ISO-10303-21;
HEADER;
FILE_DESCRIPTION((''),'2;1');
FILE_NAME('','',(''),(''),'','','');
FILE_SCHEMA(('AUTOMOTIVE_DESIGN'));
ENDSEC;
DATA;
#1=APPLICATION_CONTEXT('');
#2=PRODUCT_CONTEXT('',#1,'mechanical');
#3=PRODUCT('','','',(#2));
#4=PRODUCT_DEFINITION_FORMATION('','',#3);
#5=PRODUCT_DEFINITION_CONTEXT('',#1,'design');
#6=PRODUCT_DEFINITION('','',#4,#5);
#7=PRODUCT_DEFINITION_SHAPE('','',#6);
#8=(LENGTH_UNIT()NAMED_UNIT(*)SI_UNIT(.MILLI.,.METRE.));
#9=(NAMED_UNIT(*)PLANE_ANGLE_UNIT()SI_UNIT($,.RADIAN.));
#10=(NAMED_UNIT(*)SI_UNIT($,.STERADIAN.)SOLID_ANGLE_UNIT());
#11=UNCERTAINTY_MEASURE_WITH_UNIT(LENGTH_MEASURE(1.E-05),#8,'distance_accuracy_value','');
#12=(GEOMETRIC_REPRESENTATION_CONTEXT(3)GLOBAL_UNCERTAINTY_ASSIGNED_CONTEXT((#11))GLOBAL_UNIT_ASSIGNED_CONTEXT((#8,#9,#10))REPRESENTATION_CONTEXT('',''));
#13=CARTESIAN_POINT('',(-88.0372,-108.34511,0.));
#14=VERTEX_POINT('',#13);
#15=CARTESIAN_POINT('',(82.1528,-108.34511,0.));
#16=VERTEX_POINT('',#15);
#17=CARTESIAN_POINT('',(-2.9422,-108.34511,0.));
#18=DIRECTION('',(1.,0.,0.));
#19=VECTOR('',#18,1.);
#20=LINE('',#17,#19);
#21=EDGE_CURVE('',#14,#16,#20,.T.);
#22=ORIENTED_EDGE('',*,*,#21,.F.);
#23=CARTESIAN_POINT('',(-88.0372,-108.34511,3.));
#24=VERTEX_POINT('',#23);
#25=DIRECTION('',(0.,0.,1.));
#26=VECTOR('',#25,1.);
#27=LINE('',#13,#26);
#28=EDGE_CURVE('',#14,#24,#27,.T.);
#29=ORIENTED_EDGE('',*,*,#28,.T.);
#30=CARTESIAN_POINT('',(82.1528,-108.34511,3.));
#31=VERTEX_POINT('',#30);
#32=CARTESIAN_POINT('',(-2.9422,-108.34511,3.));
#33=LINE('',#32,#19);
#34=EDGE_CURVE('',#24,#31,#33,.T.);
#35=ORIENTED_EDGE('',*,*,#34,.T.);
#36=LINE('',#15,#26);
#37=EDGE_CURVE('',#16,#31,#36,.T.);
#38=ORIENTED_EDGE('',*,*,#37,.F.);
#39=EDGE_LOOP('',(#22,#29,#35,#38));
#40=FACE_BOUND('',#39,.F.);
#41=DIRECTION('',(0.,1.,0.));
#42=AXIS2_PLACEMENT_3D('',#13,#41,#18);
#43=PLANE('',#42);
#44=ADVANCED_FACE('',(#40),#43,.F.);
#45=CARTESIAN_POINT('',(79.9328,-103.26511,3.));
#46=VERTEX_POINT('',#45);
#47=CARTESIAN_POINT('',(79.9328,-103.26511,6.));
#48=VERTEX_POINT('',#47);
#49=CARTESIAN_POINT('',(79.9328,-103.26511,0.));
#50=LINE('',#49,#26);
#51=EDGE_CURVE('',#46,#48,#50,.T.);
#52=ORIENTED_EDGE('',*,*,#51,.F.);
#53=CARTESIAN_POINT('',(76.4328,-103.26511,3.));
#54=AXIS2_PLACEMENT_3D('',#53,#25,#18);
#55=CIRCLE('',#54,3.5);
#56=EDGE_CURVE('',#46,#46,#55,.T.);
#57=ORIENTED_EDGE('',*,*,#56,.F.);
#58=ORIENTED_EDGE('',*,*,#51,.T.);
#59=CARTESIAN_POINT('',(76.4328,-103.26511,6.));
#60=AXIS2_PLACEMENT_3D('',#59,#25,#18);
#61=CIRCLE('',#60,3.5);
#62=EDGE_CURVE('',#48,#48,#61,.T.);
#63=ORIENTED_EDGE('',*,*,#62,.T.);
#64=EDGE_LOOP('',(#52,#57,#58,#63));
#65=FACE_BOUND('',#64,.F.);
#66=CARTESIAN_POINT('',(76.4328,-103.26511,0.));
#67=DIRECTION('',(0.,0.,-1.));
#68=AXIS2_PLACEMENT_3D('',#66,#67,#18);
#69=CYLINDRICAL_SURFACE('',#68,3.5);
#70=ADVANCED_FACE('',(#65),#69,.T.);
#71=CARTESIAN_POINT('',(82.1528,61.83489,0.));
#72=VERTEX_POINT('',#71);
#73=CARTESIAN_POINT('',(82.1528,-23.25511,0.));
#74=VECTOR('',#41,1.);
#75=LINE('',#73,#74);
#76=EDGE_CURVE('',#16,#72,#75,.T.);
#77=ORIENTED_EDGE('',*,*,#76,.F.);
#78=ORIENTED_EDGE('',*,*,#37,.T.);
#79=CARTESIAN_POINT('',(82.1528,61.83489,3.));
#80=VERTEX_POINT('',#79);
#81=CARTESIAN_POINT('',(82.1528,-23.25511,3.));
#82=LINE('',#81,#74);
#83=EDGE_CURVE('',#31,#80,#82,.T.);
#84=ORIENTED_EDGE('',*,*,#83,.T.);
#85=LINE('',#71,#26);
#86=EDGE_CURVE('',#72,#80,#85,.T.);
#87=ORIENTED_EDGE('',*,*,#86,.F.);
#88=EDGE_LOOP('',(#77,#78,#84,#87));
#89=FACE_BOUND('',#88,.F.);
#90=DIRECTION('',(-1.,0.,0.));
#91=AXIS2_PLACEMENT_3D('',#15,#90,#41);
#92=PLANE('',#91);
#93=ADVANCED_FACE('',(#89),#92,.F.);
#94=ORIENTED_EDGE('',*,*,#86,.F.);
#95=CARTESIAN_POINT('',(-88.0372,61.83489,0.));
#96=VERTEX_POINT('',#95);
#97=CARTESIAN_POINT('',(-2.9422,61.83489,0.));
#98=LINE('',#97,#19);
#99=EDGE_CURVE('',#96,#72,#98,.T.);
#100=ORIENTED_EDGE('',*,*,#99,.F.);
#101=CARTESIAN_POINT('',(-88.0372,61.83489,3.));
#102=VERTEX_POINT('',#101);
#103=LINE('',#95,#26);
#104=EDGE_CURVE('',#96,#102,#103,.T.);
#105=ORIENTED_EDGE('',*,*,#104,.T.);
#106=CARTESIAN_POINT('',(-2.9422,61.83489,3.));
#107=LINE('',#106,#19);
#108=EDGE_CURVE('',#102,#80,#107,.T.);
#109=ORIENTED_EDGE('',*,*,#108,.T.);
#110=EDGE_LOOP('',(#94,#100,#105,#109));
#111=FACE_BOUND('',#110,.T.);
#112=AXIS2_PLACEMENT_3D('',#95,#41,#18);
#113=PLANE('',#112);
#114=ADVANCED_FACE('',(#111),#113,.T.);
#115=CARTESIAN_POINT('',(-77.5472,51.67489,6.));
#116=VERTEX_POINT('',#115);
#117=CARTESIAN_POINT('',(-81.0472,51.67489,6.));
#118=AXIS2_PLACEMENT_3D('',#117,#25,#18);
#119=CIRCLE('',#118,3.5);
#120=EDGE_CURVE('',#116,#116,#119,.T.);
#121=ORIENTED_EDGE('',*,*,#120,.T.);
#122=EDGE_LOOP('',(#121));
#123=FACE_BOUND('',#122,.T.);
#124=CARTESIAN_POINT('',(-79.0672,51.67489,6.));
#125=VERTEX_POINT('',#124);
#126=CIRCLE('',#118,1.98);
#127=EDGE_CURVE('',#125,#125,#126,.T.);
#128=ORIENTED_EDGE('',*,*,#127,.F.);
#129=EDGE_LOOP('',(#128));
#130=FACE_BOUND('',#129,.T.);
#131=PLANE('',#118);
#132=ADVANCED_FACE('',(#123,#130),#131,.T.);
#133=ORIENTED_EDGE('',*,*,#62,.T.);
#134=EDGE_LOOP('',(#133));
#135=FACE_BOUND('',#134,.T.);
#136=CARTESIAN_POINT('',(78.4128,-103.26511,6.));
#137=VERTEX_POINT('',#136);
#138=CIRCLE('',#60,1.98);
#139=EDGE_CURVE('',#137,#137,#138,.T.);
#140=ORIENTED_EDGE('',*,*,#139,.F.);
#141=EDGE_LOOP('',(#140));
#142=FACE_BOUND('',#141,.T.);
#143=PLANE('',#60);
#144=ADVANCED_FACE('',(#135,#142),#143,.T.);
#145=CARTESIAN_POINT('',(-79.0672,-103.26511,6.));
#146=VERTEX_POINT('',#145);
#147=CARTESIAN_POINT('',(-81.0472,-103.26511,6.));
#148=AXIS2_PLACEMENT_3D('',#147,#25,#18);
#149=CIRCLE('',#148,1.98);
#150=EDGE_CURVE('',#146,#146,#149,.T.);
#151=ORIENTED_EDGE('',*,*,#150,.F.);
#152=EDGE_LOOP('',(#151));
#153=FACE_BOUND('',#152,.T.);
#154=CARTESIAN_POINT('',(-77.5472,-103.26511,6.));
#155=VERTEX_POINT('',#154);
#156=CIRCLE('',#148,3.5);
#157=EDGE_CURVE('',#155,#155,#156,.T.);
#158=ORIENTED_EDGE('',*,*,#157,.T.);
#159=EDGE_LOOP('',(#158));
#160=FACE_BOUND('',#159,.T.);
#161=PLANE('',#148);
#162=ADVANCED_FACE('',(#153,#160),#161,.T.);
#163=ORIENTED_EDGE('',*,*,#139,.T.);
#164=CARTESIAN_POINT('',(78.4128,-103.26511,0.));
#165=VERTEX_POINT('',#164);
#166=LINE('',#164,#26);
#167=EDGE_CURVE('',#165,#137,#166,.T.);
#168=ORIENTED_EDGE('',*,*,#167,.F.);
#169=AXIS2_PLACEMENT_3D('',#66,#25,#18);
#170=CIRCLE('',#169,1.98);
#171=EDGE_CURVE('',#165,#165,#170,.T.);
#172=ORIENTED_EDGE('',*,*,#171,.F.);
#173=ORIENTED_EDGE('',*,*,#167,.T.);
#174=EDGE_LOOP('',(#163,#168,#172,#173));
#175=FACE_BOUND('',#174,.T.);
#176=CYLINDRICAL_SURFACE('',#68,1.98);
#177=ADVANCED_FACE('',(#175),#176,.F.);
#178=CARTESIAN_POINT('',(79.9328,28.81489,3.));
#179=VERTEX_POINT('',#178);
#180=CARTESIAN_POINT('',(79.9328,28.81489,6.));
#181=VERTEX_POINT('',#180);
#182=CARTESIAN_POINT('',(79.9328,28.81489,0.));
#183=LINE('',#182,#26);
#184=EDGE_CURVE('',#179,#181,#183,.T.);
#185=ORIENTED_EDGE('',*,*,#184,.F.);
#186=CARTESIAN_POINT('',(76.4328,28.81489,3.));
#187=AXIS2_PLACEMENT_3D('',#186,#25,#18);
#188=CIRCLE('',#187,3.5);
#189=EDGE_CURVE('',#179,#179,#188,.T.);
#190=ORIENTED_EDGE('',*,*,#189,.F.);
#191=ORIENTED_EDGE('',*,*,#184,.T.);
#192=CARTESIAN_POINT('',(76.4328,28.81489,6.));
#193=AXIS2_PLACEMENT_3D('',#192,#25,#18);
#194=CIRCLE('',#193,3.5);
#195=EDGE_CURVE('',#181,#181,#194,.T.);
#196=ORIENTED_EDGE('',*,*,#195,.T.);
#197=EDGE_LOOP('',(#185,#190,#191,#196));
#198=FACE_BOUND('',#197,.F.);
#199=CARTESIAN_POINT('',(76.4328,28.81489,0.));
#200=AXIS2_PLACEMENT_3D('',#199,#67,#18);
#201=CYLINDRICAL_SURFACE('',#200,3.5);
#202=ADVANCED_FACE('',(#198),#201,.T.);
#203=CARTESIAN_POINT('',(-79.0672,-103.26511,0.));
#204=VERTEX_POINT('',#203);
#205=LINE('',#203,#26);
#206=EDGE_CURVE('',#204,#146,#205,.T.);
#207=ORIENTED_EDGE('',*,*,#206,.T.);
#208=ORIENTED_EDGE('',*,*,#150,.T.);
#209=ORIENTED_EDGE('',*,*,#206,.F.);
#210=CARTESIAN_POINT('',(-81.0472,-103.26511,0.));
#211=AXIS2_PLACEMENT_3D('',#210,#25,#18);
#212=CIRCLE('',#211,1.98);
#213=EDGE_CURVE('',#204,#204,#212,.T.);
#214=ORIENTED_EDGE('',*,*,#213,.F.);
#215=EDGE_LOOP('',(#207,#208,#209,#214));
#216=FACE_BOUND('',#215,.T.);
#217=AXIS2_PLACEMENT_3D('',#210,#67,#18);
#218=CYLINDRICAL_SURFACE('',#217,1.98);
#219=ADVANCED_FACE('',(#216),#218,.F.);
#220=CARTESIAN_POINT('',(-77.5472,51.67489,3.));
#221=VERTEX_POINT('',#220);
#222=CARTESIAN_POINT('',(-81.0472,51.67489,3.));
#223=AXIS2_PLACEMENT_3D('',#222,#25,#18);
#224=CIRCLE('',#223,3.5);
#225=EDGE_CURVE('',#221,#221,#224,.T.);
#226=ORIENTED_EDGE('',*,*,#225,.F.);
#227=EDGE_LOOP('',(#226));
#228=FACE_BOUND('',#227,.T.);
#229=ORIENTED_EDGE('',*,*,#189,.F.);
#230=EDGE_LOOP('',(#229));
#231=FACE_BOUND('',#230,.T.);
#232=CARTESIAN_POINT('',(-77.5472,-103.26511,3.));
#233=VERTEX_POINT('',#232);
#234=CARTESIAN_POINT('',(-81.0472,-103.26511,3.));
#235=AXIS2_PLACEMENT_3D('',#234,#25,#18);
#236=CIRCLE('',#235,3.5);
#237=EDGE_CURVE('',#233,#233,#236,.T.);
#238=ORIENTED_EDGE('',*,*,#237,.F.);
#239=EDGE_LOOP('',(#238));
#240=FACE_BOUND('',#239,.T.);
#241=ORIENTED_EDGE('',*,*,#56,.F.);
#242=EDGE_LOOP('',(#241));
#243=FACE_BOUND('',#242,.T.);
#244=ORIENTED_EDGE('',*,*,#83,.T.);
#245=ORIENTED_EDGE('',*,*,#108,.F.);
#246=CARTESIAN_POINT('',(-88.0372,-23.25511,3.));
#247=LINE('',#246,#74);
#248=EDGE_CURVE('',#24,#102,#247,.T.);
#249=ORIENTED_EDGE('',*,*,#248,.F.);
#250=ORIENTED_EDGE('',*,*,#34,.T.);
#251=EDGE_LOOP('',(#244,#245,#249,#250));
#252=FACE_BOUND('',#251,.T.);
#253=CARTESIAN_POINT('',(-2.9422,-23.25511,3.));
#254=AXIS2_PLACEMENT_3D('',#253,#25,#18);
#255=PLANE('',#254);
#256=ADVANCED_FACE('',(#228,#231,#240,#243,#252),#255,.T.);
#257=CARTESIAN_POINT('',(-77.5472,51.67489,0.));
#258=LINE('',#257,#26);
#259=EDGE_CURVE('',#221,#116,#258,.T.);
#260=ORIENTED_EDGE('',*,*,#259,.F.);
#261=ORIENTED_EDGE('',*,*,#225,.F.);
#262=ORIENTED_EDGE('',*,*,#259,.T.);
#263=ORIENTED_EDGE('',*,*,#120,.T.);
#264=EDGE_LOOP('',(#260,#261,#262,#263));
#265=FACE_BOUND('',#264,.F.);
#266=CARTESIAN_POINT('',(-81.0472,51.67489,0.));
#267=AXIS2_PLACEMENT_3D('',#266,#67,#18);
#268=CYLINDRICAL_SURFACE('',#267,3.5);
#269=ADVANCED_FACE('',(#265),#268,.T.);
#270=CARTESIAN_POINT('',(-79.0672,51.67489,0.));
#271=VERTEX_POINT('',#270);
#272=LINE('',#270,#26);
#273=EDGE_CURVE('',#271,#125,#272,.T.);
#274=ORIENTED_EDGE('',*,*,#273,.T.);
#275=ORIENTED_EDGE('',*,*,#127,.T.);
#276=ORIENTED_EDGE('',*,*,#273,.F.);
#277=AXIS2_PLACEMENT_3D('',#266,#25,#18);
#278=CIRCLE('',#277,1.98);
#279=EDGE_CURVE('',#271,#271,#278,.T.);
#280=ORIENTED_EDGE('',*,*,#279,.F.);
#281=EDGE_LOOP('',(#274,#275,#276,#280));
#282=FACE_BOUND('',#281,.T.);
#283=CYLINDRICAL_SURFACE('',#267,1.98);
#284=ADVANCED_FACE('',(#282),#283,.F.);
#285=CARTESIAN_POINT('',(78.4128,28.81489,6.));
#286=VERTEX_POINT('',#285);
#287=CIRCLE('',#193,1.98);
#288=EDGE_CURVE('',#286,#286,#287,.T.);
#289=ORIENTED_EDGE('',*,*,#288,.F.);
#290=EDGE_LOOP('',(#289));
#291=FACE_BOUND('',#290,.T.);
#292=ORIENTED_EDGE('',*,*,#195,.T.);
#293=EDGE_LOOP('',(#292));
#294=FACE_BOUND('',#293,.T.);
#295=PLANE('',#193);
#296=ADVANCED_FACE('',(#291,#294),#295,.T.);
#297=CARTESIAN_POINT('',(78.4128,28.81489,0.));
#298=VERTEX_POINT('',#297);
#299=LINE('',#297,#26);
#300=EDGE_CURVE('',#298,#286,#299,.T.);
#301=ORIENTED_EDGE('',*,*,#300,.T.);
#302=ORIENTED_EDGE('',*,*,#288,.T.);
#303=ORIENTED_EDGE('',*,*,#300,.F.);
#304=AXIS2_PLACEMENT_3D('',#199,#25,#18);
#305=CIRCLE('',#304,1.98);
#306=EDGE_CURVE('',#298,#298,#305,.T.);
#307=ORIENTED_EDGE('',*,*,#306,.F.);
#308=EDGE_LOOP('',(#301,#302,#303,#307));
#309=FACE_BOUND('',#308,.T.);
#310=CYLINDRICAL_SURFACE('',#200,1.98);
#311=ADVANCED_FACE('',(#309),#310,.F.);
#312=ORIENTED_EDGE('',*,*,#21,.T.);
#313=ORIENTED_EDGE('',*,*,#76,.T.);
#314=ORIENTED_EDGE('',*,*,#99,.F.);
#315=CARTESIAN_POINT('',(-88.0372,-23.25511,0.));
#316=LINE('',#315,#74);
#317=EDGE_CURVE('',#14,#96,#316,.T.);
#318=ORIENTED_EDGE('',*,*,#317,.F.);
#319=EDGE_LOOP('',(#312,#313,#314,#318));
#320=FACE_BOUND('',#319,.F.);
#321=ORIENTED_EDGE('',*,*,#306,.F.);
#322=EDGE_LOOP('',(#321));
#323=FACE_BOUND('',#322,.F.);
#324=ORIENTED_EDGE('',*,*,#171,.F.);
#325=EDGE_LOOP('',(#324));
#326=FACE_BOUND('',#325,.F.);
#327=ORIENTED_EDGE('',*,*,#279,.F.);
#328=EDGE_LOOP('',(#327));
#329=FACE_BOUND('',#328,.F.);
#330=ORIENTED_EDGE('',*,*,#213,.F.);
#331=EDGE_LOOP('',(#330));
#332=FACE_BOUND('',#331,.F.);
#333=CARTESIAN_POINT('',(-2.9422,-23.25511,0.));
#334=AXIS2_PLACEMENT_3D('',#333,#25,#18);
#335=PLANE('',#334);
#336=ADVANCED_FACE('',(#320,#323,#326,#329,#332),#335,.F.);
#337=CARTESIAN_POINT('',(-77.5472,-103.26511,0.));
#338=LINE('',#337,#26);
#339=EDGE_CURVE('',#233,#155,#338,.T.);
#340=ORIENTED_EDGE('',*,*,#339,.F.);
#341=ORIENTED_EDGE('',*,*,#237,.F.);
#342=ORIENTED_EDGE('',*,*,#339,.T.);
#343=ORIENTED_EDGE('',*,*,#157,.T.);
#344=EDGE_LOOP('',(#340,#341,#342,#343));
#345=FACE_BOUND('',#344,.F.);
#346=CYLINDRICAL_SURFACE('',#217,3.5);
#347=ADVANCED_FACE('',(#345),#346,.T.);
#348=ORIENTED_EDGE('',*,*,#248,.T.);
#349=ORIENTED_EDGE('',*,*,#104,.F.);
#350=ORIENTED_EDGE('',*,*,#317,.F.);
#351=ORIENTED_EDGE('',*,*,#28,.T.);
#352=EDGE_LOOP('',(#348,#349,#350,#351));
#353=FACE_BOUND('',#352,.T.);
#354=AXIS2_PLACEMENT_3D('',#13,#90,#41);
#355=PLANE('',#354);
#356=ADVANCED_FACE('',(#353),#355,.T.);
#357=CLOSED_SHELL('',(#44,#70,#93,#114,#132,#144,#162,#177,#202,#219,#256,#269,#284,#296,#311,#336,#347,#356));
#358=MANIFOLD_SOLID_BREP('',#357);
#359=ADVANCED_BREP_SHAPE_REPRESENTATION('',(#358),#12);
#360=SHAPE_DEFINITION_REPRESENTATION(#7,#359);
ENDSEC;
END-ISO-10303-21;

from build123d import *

# Parameters (mm, degrees)
F0_W     = 170.19
F0_H     = 170.18
F0_R     = 3.5
F1_DEPTH = 3
F0_R_2   = 1.98
F2_DEPTH = 6


with BuildPart() as f1:
    # F0 (on Top) → F1 (new body)
    with BuildSketch(Plane.XY):
        with Locations((-2.9422, -23.25511)):
            Rectangle(F0_W, F0_H)
        with Locations((-81.0472, -103.26511)):
            Circle(F0_R, mode=Mode.SUBTRACT)
        with Locations((76.4328, -103.26511)):
            Circle(F0_R, mode=Mode.SUBTRACT)
        with Locations((-81.0472, 51.67489)):
            Circle(F0_R, mode=Mode.SUBTRACT)
        with Locations((76.4328, 28.81489)):
            Circle(F0_R, mode=Mode.SUBTRACT)
    extrude(amount=F1_DEPTH)

    # F0 (on Top) → F2 (join)
    with BuildSketch(Plane.XY):
        with Locations((76.4328, -103.26511)):
            Circle(F0_R)
        with Locations((76.4328, -103.26511)):
            Circle(F0_R_2, mode=Mode.SUBTRACT)
        with Locations((-81.0472, -103.26511)):
            Circle(F0_R)
        with Locations((-81.0472, -103.26511)):
            Circle(F0_R_2, mode=Mode.SUBTRACT)
        with Locations((-81.0472, 51.67489)):
            Circle(F0_R)
        with Locations((-81.0472, 51.67489)):
            Circle(F0_R_2, mode=Mode.SUBTRACT)
        with Locations((76.4328, 28.81489)):
            Circle(F0_R)
        with Locations((76.4328, 28.81489)):
            Circle(F0_R_2, mode=Mode.SUBTRACT)
    extrude(amount=F2_DEPTH)


solid = f1.part
